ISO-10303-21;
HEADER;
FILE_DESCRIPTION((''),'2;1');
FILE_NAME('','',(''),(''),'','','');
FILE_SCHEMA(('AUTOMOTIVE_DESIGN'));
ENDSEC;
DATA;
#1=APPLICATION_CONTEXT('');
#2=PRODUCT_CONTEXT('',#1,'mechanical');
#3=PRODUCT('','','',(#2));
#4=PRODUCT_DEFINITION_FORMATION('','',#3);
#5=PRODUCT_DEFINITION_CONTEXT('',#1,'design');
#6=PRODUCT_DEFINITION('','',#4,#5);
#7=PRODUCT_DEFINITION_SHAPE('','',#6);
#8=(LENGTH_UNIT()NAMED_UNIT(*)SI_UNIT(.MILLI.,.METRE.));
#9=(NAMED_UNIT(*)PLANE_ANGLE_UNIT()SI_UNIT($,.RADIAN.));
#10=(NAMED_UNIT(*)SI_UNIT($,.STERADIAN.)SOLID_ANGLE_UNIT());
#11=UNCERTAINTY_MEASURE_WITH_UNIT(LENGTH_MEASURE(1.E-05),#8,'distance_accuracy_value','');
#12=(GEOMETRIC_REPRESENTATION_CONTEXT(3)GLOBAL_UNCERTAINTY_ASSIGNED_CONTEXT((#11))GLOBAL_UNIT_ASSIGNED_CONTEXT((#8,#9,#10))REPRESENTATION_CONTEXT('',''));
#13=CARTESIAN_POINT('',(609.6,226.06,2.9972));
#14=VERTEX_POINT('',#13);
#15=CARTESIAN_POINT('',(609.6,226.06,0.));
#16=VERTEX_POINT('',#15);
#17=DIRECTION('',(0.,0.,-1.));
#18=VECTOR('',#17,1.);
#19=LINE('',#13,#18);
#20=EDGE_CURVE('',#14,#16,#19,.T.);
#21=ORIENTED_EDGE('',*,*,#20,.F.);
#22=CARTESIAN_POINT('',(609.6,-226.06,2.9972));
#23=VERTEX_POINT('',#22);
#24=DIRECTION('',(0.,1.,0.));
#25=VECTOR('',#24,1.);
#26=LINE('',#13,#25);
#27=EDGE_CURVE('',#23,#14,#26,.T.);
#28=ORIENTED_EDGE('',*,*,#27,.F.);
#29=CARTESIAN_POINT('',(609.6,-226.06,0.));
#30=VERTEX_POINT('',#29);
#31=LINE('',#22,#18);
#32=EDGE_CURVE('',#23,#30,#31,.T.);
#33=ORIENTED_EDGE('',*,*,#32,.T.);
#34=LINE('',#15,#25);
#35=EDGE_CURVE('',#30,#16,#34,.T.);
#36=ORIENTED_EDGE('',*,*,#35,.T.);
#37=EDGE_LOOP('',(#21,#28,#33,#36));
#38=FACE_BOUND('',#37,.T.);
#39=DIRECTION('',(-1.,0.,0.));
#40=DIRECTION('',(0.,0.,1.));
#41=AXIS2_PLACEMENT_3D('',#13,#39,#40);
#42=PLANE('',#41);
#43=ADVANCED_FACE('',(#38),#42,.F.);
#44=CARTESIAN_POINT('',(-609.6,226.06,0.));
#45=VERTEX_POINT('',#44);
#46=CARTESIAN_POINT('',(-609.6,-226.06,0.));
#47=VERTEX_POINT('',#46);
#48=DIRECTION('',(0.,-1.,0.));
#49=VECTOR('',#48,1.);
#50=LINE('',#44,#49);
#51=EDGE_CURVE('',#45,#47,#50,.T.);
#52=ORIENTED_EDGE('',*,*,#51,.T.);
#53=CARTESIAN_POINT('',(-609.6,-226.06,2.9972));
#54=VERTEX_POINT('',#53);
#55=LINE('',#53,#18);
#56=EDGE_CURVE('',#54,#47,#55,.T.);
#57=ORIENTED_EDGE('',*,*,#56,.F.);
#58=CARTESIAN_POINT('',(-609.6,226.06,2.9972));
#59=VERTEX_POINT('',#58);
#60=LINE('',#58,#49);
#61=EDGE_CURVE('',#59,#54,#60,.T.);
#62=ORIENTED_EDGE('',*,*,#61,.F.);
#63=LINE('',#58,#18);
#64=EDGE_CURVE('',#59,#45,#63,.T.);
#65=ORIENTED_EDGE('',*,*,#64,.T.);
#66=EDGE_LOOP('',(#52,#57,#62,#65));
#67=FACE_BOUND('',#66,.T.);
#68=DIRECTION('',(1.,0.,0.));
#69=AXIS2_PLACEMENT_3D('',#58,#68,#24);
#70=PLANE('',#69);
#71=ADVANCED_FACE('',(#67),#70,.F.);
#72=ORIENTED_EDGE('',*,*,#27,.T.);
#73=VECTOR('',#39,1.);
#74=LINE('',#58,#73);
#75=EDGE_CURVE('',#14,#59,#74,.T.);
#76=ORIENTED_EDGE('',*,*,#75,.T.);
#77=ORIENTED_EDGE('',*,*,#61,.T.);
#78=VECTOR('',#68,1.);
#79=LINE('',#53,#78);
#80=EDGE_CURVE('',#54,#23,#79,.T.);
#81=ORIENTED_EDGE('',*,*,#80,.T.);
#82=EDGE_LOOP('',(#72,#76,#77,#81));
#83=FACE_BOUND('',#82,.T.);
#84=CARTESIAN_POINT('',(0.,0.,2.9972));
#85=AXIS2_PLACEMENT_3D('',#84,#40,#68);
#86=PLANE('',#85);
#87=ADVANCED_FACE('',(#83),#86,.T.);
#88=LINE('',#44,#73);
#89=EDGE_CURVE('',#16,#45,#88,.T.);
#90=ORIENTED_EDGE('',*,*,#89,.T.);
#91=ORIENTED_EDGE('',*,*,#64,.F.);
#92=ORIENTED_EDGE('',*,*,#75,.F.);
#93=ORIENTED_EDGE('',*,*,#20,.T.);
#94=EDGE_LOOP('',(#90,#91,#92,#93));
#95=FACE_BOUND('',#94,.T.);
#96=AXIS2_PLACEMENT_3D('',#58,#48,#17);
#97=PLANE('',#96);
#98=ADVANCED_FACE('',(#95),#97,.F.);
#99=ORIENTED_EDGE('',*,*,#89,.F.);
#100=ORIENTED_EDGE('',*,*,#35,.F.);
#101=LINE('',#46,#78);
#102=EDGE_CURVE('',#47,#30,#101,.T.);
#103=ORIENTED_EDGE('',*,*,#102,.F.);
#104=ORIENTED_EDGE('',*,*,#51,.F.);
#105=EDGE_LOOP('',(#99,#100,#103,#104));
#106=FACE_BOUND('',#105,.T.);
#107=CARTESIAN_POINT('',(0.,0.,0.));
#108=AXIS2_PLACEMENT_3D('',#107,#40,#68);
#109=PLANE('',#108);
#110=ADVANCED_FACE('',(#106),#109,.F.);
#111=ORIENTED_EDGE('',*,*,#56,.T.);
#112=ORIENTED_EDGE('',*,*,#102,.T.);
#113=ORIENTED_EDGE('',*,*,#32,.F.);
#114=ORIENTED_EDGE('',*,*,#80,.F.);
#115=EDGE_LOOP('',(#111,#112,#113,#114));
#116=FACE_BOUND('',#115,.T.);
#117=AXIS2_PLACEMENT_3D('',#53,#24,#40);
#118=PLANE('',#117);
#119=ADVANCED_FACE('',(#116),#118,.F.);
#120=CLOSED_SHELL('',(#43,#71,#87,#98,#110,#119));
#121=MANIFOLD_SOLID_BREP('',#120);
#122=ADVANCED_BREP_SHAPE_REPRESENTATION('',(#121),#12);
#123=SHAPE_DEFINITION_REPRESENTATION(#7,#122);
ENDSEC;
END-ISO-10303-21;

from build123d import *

# Parameters (mm, degrees)
SKETCH1_W           = 1219.2
SKETCH1_H           = 452.12
BOSS_EXTRUDE1_DEPTH = 2.9972


with BuildPart() as part:
    # Sketch1 → Boss-Extrude1 (new body)
    with BuildSketch(Plane.XY):
        Rectangle(SKETCH1_W, SKETCH1_H)
    extrude(amount=BOSS_EXTRUDE1_DEPTH)


solid = part.part
